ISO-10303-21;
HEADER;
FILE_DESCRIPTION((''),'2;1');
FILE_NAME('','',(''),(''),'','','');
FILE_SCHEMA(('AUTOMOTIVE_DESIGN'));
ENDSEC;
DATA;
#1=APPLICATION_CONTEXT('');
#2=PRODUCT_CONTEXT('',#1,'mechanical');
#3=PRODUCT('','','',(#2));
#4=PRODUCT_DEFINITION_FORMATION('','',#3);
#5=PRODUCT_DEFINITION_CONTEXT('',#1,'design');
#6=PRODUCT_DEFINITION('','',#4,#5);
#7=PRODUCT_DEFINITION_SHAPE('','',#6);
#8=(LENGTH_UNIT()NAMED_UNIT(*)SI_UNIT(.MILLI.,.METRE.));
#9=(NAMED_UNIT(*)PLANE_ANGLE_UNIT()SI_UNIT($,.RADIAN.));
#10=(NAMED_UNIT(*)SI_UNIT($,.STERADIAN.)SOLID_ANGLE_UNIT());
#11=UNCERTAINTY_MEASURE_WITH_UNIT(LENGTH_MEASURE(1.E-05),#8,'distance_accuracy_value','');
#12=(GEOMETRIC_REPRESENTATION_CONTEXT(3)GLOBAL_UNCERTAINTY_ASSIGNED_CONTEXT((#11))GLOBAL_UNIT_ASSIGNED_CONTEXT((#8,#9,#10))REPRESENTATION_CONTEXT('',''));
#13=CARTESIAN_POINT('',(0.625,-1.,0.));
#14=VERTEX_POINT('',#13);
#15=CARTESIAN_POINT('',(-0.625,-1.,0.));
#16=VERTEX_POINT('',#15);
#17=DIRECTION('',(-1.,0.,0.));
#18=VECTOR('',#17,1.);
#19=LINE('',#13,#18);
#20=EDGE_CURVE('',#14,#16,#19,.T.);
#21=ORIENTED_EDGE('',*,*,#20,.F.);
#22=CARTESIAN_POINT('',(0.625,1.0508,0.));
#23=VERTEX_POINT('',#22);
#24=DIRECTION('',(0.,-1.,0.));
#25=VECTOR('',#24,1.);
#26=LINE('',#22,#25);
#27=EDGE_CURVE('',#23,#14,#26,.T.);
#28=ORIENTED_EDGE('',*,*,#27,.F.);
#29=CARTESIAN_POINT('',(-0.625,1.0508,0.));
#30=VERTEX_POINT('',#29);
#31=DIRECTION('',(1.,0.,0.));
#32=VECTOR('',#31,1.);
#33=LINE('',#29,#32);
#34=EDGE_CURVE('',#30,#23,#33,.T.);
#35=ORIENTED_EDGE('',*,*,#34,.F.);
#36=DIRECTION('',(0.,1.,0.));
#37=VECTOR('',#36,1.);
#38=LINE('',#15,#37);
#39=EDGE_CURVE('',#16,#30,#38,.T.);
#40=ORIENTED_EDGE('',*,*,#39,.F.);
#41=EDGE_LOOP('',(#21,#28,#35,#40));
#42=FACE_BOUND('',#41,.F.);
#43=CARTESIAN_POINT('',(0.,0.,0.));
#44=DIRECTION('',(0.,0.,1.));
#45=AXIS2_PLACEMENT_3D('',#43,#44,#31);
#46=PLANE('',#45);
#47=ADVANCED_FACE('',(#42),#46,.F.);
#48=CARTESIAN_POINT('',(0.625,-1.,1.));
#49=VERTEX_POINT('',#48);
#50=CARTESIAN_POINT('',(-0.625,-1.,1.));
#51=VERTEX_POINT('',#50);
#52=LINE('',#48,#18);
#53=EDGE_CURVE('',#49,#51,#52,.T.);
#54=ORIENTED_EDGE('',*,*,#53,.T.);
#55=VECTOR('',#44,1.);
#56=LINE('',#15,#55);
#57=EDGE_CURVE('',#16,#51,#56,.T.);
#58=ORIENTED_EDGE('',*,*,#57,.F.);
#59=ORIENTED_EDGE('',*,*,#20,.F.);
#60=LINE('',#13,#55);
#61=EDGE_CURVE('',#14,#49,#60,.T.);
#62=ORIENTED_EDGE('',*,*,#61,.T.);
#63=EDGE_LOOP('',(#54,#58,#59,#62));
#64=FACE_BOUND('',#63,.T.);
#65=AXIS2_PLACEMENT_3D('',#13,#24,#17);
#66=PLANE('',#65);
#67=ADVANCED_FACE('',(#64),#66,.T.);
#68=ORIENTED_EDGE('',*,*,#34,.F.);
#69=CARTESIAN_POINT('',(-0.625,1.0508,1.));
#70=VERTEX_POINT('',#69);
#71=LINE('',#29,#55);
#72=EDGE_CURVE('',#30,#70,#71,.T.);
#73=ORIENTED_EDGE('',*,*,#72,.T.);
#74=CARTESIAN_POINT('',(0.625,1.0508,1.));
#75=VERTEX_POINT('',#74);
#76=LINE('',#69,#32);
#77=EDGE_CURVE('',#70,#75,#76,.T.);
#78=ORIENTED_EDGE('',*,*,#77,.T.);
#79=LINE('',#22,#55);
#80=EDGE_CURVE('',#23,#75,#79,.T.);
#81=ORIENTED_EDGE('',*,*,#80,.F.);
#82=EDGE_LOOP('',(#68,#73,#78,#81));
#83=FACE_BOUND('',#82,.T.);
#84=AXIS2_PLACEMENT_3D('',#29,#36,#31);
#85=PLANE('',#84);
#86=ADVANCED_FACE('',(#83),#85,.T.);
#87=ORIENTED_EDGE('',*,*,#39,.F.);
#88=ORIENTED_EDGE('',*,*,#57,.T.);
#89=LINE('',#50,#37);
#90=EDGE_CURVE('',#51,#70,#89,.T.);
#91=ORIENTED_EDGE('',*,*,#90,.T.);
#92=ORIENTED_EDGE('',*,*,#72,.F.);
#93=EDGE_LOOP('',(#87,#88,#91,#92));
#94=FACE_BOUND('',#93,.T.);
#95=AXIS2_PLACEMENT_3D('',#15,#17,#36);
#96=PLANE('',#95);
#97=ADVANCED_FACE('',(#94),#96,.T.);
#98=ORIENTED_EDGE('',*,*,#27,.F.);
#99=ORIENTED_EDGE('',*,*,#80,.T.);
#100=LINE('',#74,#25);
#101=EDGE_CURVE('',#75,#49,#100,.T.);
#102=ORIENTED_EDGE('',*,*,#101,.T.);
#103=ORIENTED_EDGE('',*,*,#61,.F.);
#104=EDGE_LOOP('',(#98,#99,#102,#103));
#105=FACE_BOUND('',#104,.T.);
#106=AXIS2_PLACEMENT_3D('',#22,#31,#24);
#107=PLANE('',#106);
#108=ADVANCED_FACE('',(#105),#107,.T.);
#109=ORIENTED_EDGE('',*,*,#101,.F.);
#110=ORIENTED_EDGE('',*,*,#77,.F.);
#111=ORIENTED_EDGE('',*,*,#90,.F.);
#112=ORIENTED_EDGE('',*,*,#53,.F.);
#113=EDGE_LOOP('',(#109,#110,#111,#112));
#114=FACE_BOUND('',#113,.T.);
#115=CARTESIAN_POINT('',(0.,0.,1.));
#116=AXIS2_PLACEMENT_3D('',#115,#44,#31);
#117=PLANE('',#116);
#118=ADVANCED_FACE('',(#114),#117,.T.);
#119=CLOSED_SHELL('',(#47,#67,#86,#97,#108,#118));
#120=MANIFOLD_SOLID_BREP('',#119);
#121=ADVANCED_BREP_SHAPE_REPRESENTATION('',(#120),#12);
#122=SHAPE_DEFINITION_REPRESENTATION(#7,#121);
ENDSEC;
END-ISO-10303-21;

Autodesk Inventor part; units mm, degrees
ref_plane "YZ Plane" through (0, 0, 0) normal (1, 0, 0) x (0, 1, 0)
ref_plane "XZ Plane" through (0, 0, 0) normal (0, 1, 0) x (-1, 0, 0)
ref_plane "XY Plane" through (0, 0, 0) normal (0, 0, 1) x (1, 0, 0)
sketch "CHIPLED_0805, LED1_CHIPLED_0805_77" plane through (0, 0, 0) normal (0, 0, 1) x (1, 0, 0)
  line L0 (-0.625, 1.0508) -> (0.625, 1.0508)
  line L1 (0.625, 1.0508) -> (0.625, -1)
  line L2 (0.625, -1) -> (-0.625, -1)
  line L3 (-0.625, -1) -> (-0.625, 1.0508)
extrude "Extrusion1" add sketch "CHIPLED_0805, LED1_CHIPLED_0805_77" along normal blind 1
properties part number "LED1_CHIPLED_0805"
